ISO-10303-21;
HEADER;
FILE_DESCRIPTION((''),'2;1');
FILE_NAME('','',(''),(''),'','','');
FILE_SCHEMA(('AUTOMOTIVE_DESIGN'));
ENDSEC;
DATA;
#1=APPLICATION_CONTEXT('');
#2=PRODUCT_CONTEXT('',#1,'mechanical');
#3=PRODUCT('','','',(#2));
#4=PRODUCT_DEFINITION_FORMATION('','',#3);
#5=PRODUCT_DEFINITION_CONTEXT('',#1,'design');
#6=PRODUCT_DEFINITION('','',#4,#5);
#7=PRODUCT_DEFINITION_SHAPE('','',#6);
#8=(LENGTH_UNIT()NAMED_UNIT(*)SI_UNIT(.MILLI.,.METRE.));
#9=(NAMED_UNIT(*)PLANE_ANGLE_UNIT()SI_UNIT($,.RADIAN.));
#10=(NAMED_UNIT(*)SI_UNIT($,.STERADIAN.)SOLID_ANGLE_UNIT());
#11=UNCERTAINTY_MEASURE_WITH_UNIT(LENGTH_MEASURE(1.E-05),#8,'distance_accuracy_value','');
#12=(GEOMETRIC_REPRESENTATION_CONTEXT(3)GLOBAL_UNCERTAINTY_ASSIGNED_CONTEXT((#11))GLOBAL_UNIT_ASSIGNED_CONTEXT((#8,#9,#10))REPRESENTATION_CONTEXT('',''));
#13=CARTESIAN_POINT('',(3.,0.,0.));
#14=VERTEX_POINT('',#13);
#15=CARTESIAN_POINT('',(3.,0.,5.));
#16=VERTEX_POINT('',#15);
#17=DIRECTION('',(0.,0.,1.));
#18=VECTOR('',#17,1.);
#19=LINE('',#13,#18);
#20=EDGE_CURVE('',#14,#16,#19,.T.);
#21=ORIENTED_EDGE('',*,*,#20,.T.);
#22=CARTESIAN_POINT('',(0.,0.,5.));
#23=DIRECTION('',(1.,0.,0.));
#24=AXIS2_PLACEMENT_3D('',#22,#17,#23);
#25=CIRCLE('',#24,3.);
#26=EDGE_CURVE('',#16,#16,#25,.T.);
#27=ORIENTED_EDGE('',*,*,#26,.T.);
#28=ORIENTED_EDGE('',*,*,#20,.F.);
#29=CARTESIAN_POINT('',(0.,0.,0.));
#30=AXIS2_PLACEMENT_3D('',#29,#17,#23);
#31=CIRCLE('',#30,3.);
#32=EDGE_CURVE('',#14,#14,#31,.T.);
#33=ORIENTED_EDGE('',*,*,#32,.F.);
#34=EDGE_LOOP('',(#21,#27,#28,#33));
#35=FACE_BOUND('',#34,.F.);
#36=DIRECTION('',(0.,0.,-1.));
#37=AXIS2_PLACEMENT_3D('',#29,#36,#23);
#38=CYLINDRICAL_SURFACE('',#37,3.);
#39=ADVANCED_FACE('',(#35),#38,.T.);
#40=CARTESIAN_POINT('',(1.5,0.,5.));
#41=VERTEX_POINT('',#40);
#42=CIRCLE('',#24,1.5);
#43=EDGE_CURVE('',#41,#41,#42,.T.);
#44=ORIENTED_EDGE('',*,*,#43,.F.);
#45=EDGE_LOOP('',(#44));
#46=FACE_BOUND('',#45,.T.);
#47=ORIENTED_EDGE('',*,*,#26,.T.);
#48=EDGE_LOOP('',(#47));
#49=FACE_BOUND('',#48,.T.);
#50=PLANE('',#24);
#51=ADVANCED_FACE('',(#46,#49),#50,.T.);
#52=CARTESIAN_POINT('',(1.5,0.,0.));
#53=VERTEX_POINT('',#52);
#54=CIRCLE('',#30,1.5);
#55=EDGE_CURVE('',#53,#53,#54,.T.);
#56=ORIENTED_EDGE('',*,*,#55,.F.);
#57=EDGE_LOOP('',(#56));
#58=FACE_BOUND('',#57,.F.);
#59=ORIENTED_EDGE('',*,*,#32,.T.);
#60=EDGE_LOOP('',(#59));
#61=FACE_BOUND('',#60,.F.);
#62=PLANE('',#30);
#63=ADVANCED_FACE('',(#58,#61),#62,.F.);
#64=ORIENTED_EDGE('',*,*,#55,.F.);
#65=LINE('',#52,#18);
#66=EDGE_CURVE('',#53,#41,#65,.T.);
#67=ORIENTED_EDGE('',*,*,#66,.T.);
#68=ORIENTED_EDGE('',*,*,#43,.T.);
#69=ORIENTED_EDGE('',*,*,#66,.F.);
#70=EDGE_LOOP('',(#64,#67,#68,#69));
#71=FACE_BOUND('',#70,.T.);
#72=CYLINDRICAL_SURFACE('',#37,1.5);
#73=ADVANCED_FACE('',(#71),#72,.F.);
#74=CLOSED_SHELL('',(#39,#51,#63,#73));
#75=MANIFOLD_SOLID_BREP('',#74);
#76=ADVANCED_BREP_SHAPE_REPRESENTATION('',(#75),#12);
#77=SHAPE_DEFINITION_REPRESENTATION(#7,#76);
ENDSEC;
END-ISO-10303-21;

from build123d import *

# Parameters (mm, degrees)
SKETCH_R   = 3
SKETCH_R_2 = 1.5
PAD_DEPTH  = 5


with BuildPart() as part:
    # Sketch → Pad (new body)
    with BuildSketch(Plane.XY):
        Circle(SKETCH_R)
        Circle(SKETCH_R_2, mode=Mode.SUBTRACT)
    extrude(amount=PAD_DEPTH)


solid = part.part
